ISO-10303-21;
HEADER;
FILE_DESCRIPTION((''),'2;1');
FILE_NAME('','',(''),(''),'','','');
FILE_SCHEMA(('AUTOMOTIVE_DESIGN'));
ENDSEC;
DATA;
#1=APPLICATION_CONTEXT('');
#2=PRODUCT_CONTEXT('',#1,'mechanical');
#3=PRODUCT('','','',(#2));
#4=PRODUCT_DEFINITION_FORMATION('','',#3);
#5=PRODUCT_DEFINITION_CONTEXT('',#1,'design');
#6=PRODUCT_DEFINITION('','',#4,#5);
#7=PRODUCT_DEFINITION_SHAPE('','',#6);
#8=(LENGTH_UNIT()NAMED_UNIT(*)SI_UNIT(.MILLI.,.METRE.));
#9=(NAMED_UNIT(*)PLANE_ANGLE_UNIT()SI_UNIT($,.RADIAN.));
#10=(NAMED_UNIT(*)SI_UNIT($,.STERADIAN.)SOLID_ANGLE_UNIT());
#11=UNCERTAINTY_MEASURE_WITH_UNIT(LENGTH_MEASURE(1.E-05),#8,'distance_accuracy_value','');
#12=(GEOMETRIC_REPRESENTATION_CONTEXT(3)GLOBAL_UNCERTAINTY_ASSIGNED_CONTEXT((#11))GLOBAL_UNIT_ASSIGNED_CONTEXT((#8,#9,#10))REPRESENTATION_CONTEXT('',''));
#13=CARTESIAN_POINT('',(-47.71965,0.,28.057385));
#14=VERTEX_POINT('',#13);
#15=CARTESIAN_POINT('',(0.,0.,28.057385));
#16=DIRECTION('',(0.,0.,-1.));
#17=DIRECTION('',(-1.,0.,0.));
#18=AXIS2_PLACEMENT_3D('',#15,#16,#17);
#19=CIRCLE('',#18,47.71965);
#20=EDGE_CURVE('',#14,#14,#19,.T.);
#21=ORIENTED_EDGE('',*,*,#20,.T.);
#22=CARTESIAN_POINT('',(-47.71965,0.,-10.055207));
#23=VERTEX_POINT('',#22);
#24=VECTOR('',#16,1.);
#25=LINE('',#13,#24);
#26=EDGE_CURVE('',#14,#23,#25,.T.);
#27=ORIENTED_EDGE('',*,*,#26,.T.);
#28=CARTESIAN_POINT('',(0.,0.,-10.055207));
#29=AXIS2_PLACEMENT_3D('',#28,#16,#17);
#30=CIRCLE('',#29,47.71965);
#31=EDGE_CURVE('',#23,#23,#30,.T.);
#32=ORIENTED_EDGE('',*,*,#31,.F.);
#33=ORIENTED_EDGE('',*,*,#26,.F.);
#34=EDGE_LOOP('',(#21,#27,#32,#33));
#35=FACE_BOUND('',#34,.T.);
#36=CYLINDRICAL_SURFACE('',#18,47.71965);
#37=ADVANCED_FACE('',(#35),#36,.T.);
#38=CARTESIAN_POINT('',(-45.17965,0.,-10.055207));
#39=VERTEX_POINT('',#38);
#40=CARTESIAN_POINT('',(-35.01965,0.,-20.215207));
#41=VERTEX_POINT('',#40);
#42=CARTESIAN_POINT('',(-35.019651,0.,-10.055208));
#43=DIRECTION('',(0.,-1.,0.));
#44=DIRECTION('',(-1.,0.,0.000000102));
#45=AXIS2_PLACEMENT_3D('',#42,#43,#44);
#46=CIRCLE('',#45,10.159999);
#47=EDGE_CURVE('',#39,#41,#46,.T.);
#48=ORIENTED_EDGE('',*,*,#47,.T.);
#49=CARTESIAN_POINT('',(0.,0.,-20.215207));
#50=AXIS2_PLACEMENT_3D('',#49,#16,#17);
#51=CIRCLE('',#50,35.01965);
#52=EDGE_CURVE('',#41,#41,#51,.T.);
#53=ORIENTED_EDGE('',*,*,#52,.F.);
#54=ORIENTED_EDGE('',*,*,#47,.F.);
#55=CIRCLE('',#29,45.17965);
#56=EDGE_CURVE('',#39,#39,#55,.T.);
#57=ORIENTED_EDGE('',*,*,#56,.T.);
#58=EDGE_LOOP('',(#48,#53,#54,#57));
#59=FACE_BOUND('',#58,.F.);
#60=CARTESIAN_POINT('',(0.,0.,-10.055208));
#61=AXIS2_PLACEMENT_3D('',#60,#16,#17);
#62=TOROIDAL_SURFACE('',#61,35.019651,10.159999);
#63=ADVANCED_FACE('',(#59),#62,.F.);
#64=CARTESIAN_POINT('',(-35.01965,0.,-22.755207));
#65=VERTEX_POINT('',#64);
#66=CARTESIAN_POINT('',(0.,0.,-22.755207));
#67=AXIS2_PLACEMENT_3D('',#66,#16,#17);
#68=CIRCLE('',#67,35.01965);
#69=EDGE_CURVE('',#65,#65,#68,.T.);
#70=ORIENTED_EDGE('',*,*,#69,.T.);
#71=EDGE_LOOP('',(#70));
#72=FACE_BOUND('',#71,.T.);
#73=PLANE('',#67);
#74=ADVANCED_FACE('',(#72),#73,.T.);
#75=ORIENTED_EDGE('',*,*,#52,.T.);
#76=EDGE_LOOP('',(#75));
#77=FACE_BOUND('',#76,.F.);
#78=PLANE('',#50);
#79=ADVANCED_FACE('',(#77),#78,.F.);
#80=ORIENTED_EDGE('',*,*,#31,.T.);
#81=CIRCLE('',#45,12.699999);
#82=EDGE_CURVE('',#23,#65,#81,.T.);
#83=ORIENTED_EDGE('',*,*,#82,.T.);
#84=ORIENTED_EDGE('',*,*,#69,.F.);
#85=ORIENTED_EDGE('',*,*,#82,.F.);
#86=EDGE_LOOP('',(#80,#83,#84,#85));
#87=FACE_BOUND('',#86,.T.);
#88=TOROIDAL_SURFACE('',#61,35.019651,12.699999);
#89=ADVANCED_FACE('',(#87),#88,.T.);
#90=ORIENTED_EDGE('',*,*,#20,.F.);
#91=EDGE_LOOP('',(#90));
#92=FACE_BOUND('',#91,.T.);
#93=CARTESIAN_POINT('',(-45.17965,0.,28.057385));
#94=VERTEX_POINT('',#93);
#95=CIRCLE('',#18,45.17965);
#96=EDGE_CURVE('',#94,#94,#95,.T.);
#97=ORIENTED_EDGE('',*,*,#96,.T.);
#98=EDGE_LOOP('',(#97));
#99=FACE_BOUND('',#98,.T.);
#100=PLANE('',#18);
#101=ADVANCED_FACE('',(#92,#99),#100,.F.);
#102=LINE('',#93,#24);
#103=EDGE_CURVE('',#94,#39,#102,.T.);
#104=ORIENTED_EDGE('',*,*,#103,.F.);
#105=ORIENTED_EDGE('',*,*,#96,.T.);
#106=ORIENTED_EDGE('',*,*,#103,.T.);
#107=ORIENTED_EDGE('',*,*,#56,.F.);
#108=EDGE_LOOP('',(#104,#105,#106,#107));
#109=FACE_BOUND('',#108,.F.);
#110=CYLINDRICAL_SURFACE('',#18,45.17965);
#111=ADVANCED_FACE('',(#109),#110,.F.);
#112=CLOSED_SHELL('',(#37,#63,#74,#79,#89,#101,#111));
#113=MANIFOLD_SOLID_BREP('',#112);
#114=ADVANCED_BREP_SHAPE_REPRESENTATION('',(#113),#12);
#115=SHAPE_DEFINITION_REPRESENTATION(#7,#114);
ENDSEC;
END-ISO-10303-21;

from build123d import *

# Parameters (mm, degrees)
F2_T = -2.54


with BuildPart() as f1:
    # F0 (on Front) → F1 (revolve)
    with BuildSketch(Plane.XZ):
        with BuildLine():
            Line((0, 28.057385), (-47.71965, 28.057385))
            Line((-47.71965, 28.057385), (-47.71965, -10.055207))
            ThreePointArc((-47.71965, -10.055207), (-43.999906, -19.035464), (-35.01965, -22.755207))
            Line((-35.01965, -22.755207), (0, -22.755207))
            Line((0, -22.755207), (0, 28.057385))
        make_face()
    revolve(axis=Axis((0, 0, 2.651089), (0, 0, -1)))

    # F2
    f2_openings = [f1.faces().sort_by_distance(p)[0] for p in [
        (0, 0, 28.057385),
    ]]
    offset(amount=F2_T, openings=f2_openings)


solid = f1.part
